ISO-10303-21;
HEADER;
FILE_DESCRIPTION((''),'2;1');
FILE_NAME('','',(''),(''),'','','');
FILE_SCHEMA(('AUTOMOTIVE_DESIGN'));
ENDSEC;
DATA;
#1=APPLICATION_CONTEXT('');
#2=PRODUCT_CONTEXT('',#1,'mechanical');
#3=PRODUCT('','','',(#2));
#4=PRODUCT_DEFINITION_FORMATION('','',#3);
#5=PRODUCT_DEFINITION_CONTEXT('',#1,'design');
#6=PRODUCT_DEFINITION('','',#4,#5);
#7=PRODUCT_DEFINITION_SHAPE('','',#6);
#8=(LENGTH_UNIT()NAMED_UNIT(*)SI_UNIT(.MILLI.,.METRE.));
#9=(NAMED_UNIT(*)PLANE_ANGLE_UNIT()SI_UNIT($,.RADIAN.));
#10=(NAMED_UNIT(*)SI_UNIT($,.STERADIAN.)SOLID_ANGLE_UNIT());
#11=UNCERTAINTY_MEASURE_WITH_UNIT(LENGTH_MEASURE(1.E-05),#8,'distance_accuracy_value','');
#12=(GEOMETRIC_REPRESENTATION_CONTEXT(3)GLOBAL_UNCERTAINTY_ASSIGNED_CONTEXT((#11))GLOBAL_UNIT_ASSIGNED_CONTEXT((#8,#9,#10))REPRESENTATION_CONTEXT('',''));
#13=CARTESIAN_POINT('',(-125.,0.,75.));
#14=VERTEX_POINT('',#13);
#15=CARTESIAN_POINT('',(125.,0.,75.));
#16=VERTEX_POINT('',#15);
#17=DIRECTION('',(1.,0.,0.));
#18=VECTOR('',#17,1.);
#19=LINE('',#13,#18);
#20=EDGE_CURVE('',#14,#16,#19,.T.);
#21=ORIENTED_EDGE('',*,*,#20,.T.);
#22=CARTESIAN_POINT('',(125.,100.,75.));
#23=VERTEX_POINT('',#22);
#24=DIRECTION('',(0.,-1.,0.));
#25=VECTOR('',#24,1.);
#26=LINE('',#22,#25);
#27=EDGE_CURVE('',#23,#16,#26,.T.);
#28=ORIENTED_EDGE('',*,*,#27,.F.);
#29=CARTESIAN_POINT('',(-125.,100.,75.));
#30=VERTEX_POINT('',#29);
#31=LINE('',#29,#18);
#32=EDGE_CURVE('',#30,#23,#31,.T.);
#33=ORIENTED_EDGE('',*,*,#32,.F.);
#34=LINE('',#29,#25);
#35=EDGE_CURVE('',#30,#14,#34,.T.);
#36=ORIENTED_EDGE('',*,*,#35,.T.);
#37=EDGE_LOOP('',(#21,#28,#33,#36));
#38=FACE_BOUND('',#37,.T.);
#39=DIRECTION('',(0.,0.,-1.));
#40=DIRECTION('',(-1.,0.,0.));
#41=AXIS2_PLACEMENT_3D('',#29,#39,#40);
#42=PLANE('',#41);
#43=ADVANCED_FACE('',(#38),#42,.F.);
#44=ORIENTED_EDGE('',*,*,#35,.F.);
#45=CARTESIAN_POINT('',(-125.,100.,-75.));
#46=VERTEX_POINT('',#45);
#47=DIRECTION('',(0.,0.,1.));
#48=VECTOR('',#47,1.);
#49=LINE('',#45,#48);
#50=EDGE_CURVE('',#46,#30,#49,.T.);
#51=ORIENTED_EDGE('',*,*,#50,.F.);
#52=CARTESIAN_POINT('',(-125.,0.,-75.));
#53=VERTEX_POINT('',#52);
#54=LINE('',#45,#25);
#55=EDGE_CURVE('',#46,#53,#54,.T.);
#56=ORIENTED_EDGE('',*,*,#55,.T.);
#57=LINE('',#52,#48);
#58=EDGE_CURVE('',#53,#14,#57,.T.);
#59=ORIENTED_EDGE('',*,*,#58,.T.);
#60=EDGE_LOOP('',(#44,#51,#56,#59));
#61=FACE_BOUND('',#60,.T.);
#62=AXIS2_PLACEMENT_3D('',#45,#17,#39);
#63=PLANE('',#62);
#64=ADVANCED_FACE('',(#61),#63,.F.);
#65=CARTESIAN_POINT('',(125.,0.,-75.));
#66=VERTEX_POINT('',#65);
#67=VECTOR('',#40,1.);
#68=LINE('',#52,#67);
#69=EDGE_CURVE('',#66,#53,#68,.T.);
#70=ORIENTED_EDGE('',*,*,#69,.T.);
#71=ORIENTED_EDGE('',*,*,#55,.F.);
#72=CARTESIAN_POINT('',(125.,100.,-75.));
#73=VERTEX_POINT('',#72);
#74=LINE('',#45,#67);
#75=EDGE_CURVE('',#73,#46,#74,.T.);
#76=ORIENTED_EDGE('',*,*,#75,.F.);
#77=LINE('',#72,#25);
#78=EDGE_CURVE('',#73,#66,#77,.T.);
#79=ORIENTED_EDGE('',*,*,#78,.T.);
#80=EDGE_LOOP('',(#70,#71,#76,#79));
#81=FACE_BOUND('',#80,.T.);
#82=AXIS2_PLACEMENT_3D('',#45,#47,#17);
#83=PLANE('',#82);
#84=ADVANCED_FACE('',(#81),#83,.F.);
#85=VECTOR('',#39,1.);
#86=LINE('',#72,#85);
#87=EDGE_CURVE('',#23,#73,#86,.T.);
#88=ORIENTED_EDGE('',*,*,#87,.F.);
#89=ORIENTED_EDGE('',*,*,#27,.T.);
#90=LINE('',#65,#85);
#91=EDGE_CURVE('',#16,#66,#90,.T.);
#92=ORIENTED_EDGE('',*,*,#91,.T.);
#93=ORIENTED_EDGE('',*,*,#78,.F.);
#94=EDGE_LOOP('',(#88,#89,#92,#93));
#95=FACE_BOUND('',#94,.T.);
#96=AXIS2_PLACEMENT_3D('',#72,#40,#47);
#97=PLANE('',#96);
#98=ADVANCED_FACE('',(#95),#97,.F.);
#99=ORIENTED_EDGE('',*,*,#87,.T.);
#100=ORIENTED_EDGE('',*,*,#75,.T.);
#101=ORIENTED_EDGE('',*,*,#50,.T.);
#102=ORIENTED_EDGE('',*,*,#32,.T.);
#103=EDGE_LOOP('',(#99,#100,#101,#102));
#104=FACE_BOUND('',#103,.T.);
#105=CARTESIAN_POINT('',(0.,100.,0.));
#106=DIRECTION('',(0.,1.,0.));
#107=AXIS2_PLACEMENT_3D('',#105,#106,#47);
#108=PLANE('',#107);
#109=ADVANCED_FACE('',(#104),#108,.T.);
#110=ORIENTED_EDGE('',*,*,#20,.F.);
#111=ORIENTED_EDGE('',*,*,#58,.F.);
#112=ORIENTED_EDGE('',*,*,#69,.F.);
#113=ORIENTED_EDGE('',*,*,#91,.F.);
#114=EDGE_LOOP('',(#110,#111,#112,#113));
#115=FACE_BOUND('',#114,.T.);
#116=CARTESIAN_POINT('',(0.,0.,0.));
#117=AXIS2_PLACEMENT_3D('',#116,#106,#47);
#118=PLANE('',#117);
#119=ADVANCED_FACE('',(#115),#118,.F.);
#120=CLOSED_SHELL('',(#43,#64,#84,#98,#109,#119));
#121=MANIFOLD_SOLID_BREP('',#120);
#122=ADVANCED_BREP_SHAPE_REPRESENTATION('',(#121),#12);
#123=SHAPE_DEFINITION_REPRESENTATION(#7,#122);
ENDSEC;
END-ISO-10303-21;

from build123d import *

# Parameters (mm, degrees)
ESQUISSE1_W        = 250
ESQUISSE1_H        = 150
BOSS_EXTRU_1_DEPTH = 100


with BuildPart() as part:
    # Esquisse1 → Boss.-Extru.1 (new body)
    with BuildSketch(Plane(origin=(0, 0, 0), x_dir=(1, 0, 0), z_dir=(0, 1, 0))):
        Rectangle(ESQUISSE1_W, ESQUISSE1_H)
    extrude(amount=BOSS_EXTRU_1_DEPTH)


solid = part.part
